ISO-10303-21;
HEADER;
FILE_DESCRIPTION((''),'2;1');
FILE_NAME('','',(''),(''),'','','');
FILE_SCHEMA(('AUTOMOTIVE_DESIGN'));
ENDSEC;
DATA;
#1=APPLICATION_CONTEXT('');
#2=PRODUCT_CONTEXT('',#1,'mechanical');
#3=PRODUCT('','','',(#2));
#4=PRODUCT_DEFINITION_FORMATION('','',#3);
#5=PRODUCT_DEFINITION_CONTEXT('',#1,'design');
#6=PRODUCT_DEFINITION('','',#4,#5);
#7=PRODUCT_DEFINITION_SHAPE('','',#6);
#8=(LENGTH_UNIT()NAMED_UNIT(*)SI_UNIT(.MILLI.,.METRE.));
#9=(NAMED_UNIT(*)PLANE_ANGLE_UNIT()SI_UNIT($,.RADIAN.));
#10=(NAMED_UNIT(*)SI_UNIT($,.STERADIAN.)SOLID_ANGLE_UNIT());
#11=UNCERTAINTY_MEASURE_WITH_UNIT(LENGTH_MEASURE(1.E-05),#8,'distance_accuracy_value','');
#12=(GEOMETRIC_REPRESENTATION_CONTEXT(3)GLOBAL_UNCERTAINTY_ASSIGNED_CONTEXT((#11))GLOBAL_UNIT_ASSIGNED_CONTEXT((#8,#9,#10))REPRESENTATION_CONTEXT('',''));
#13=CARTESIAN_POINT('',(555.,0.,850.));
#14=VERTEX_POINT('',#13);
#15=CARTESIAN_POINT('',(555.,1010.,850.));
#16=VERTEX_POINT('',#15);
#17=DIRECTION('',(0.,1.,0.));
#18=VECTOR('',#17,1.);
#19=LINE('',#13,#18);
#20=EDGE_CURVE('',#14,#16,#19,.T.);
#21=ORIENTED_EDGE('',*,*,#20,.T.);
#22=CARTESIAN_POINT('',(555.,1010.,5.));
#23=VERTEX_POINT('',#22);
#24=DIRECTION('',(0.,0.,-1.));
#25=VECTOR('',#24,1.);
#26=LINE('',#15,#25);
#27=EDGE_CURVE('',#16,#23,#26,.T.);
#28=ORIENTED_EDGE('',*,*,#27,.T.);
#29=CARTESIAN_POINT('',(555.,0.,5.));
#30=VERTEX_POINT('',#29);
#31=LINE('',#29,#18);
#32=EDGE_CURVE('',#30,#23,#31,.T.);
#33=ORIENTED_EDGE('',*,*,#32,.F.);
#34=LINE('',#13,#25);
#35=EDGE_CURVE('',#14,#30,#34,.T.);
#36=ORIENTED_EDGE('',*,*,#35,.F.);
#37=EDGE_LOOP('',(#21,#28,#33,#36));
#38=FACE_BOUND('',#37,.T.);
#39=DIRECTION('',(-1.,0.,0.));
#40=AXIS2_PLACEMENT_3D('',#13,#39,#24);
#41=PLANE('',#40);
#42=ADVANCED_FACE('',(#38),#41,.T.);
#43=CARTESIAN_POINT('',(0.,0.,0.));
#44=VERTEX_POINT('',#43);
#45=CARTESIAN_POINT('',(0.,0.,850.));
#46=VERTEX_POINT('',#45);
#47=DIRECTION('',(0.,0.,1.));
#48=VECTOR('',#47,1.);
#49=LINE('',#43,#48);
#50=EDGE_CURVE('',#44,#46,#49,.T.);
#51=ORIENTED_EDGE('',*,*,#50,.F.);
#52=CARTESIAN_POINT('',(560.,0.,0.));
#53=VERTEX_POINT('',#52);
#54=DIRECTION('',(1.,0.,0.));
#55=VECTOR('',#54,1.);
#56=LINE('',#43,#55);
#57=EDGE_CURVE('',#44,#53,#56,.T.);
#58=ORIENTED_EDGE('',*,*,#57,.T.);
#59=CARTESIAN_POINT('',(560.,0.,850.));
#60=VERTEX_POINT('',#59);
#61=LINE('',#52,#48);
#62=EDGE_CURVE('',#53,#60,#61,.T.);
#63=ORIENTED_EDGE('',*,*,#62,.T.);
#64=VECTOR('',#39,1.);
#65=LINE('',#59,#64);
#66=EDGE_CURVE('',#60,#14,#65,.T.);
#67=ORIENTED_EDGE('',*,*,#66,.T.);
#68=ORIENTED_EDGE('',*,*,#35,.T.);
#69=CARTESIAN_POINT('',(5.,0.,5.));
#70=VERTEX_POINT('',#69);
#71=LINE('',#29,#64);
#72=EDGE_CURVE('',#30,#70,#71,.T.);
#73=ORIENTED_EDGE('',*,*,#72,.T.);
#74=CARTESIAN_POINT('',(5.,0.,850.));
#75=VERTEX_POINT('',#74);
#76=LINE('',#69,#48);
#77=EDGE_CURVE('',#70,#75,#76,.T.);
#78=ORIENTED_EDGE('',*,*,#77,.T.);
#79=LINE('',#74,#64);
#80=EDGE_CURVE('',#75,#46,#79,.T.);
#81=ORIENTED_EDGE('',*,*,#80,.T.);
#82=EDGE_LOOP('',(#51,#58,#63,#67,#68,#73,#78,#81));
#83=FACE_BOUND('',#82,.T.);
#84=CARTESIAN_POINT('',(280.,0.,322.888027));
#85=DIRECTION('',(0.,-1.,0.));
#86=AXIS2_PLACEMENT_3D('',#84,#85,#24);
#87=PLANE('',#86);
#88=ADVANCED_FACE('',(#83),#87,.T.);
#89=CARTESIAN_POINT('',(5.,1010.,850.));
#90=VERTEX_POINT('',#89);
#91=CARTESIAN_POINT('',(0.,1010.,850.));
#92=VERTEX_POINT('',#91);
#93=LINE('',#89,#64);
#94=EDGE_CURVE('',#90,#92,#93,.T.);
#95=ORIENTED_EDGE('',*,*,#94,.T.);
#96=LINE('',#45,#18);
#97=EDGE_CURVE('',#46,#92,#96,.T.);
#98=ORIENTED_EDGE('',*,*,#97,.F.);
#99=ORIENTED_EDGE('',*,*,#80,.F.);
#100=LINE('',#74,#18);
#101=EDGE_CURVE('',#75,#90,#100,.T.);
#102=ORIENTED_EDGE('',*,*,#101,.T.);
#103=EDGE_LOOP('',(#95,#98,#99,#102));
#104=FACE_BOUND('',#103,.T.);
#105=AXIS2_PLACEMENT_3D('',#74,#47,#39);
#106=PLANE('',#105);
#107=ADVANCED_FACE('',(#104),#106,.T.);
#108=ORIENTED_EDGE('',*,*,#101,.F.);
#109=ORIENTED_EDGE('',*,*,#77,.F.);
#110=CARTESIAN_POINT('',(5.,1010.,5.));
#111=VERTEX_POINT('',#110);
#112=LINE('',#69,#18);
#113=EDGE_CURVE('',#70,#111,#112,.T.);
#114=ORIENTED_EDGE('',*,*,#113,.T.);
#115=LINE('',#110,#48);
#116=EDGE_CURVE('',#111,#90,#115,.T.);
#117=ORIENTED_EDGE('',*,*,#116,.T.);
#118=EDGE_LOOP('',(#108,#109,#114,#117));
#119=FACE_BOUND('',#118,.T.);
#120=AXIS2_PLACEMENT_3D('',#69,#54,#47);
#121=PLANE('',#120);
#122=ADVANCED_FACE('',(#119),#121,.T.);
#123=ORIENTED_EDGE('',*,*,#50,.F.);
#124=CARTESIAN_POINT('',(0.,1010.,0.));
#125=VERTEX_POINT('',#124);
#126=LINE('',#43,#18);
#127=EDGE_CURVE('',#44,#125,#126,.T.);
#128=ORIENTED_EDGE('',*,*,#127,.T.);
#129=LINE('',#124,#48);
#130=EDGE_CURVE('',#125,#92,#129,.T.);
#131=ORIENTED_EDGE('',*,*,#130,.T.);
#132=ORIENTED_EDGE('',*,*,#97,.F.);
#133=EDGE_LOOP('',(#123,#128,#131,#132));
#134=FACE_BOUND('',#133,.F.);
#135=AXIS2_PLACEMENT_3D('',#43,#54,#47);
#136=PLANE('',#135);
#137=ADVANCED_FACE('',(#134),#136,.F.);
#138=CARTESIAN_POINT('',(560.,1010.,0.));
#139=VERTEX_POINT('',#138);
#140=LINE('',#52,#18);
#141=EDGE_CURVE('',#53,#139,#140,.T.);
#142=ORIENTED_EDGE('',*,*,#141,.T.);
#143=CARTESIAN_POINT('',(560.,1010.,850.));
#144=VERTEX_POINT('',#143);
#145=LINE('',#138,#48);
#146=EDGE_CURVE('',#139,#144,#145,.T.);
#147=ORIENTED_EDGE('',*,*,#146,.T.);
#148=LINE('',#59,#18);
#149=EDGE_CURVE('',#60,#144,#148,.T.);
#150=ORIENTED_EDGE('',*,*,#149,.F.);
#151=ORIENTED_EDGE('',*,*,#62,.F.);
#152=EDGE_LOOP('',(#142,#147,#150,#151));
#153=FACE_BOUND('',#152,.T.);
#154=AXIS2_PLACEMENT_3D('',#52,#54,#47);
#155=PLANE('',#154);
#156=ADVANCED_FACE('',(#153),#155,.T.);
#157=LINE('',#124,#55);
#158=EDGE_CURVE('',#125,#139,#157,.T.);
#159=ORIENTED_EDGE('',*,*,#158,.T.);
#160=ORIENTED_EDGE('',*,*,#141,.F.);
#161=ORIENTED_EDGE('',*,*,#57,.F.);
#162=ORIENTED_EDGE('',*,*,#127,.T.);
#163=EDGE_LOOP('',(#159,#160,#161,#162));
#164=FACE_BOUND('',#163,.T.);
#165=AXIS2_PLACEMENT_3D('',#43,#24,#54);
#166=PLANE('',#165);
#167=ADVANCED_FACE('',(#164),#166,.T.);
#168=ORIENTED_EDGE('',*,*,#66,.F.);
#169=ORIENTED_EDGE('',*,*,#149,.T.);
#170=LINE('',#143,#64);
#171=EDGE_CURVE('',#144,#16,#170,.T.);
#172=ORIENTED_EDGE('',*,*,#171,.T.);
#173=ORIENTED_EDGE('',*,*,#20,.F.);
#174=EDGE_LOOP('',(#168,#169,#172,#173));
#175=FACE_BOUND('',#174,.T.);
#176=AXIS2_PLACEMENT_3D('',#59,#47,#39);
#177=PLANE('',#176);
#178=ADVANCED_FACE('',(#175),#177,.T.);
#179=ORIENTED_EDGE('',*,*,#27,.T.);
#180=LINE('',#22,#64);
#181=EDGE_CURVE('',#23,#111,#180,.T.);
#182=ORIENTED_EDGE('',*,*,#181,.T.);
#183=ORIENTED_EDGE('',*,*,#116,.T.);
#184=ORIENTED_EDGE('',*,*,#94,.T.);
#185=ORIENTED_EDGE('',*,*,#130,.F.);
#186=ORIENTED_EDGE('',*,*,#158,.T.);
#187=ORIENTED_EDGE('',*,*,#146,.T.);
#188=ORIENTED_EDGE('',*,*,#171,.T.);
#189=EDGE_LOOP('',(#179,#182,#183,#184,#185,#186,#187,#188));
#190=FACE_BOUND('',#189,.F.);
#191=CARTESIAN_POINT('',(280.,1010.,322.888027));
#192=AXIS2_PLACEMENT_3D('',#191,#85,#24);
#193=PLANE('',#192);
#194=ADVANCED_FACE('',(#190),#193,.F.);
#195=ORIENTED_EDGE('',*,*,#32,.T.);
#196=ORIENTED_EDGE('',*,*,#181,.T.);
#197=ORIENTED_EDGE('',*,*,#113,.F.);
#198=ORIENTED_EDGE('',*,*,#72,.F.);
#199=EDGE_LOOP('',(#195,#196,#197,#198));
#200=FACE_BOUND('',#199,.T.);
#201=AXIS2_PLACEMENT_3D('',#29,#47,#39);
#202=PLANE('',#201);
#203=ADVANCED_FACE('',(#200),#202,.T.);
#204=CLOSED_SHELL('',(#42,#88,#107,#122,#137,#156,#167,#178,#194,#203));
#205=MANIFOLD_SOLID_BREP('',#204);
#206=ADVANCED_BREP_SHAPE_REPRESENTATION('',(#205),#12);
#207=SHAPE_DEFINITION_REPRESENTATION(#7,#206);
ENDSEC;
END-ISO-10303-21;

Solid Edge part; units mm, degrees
sketch "Sketch1" plane through (0, 0, 0) normal (0, -1, 0) x (1, 0, 0)
  line L0 (0, 0) -> (560, 0)
  line L1 (560, 0) -> (560, 850)
  line L2 (560, 850) -> (555, 850)
  line L3 (555, 850) -> (555, 5)
  line L4 (555, 5) -> (5, 5)
  line L5 (5, 5) -> (5, 850)
  line L6 (5, 850) -> (0, 850)
  line L7 (0, 0) -> (0, 850)
extrude "Protrusion1" add sketch "Sketch1" against normal blind 1010
properties material "Galvanized steel"
